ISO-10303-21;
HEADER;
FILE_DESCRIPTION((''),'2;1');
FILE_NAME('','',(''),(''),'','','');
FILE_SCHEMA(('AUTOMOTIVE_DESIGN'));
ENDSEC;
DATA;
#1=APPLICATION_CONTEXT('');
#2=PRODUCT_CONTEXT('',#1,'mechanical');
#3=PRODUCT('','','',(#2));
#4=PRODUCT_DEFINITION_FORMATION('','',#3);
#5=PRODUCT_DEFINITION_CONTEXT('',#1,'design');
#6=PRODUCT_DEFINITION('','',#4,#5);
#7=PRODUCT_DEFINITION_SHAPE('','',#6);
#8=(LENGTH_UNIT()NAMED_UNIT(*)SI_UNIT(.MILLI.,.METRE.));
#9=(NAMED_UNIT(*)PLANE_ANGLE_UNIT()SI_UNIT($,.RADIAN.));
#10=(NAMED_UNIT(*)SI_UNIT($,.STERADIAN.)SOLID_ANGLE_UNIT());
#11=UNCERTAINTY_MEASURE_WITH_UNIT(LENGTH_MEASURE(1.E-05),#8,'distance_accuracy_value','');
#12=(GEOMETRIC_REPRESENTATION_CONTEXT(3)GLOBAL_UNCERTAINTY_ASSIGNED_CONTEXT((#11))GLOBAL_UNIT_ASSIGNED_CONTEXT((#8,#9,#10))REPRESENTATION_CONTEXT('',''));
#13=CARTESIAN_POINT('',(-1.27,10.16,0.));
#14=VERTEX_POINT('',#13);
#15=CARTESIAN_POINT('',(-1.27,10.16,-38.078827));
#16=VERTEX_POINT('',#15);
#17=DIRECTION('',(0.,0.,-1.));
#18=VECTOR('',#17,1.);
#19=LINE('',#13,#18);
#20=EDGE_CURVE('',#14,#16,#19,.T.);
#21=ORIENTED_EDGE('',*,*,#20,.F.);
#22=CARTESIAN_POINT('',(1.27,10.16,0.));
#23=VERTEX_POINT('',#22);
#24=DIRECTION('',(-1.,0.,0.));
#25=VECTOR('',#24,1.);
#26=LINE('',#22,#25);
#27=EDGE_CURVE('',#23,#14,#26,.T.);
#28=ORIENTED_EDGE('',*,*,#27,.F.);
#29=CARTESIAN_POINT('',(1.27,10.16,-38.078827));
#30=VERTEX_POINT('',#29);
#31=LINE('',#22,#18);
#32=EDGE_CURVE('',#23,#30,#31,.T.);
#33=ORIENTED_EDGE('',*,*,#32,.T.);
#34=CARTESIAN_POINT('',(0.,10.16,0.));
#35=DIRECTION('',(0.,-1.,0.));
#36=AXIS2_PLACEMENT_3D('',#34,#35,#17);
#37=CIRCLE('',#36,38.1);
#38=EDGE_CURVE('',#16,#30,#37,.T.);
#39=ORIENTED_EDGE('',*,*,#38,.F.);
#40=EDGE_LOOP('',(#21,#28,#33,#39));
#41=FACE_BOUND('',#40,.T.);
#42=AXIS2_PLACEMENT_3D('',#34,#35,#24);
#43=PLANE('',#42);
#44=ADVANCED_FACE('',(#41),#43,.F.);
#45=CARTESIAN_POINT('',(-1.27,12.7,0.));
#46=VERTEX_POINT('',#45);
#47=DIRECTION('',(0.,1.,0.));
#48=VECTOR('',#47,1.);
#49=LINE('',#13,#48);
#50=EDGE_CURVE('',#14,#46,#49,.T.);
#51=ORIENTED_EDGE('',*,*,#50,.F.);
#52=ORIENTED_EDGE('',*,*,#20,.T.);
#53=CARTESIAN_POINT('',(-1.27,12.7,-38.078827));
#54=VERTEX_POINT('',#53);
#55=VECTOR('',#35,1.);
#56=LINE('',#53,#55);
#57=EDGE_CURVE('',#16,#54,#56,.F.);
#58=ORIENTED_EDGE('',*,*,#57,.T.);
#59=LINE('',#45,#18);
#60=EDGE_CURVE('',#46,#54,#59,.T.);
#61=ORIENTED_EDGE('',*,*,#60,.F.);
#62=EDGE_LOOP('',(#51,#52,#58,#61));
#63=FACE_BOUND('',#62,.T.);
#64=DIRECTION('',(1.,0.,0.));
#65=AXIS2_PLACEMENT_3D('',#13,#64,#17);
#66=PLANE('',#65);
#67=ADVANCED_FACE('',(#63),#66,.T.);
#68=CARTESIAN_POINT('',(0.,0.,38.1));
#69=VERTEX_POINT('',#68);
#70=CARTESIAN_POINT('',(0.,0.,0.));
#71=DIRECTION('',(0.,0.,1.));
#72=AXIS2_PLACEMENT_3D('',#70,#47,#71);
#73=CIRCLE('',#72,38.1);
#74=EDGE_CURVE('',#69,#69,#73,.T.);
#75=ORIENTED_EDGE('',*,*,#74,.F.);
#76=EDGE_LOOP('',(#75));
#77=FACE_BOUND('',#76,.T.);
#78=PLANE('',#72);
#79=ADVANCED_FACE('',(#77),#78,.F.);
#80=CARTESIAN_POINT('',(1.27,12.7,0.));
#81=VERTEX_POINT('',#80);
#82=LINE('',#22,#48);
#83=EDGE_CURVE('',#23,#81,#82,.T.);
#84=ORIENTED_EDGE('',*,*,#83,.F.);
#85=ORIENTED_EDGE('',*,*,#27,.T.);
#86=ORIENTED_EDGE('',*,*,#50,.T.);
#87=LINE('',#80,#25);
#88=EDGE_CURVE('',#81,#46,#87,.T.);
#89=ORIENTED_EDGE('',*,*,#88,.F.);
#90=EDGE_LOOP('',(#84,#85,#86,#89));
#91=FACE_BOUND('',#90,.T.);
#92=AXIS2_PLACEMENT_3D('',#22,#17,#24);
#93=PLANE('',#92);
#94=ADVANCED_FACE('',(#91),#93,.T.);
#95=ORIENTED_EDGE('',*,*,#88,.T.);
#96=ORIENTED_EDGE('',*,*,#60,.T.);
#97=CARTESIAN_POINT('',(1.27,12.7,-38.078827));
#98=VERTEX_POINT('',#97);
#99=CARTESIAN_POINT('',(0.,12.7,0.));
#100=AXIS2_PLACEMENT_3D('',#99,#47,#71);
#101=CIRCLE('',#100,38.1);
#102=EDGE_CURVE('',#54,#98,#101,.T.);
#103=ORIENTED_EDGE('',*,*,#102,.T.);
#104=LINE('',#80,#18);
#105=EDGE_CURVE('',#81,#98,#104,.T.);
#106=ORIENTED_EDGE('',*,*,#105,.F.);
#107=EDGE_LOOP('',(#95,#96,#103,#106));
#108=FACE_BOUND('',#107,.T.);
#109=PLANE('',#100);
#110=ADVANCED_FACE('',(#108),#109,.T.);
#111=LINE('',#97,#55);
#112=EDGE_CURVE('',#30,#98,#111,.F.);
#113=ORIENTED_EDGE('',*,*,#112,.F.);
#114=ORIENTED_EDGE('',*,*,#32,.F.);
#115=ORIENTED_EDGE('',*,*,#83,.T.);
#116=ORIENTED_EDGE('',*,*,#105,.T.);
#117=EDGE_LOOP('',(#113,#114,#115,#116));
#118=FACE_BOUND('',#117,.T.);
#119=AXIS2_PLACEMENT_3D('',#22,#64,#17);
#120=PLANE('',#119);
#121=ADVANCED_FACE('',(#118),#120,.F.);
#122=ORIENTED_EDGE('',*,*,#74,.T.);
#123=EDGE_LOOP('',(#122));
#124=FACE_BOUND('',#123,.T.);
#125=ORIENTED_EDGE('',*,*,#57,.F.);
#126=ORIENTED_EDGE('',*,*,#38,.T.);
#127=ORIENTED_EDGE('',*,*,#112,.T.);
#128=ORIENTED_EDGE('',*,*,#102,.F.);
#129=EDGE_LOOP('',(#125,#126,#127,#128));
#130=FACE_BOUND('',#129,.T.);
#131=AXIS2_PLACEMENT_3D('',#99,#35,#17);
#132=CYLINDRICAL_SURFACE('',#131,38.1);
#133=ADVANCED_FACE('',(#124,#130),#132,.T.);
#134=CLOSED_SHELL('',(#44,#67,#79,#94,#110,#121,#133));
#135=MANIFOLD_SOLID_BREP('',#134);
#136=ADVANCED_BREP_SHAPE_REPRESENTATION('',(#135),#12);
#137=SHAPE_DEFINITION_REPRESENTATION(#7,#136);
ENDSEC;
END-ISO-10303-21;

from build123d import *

# Parameters (mm, degrees)
SKETCH1_R               = 38.1
BOSS_EXTRUDE1_DEPTH     = 12.7
SKETCH2_W               = 2.54
SKETCH2_H               = 46.36082965
CUT_EXTRUDE_THIN2_DEPTH = 2.54


with BuildPart() as part:
    # Sketch1 → Boss-Extrude1 (new body)
    with BuildSketch(Plane(origin=(0, 0, 0), x_dir=(1, 0, 0), z_dir=(0, 1, 0))):
        Circle(SKETCH1_R)
    extrude(amount=BOSS_EXTRUDE1_DEPTH)

    # Sketch2 → Cut-Extrude-Thin2 (cut)
    with BuildSketch(Plane(origin=(0, 12.7, 0), x_dir=(1, 0, 0), z_dir=(0, 1, 0))):
        with Locations((0, 23.180414825)):
            Rectangle(SKETCH2_W, SKETCH2_H)
    extrude(amount=-CUT_EXTRUDE_THIN2_DEPTH, mode=Mode.SUBTRACT)


solid = part.part
